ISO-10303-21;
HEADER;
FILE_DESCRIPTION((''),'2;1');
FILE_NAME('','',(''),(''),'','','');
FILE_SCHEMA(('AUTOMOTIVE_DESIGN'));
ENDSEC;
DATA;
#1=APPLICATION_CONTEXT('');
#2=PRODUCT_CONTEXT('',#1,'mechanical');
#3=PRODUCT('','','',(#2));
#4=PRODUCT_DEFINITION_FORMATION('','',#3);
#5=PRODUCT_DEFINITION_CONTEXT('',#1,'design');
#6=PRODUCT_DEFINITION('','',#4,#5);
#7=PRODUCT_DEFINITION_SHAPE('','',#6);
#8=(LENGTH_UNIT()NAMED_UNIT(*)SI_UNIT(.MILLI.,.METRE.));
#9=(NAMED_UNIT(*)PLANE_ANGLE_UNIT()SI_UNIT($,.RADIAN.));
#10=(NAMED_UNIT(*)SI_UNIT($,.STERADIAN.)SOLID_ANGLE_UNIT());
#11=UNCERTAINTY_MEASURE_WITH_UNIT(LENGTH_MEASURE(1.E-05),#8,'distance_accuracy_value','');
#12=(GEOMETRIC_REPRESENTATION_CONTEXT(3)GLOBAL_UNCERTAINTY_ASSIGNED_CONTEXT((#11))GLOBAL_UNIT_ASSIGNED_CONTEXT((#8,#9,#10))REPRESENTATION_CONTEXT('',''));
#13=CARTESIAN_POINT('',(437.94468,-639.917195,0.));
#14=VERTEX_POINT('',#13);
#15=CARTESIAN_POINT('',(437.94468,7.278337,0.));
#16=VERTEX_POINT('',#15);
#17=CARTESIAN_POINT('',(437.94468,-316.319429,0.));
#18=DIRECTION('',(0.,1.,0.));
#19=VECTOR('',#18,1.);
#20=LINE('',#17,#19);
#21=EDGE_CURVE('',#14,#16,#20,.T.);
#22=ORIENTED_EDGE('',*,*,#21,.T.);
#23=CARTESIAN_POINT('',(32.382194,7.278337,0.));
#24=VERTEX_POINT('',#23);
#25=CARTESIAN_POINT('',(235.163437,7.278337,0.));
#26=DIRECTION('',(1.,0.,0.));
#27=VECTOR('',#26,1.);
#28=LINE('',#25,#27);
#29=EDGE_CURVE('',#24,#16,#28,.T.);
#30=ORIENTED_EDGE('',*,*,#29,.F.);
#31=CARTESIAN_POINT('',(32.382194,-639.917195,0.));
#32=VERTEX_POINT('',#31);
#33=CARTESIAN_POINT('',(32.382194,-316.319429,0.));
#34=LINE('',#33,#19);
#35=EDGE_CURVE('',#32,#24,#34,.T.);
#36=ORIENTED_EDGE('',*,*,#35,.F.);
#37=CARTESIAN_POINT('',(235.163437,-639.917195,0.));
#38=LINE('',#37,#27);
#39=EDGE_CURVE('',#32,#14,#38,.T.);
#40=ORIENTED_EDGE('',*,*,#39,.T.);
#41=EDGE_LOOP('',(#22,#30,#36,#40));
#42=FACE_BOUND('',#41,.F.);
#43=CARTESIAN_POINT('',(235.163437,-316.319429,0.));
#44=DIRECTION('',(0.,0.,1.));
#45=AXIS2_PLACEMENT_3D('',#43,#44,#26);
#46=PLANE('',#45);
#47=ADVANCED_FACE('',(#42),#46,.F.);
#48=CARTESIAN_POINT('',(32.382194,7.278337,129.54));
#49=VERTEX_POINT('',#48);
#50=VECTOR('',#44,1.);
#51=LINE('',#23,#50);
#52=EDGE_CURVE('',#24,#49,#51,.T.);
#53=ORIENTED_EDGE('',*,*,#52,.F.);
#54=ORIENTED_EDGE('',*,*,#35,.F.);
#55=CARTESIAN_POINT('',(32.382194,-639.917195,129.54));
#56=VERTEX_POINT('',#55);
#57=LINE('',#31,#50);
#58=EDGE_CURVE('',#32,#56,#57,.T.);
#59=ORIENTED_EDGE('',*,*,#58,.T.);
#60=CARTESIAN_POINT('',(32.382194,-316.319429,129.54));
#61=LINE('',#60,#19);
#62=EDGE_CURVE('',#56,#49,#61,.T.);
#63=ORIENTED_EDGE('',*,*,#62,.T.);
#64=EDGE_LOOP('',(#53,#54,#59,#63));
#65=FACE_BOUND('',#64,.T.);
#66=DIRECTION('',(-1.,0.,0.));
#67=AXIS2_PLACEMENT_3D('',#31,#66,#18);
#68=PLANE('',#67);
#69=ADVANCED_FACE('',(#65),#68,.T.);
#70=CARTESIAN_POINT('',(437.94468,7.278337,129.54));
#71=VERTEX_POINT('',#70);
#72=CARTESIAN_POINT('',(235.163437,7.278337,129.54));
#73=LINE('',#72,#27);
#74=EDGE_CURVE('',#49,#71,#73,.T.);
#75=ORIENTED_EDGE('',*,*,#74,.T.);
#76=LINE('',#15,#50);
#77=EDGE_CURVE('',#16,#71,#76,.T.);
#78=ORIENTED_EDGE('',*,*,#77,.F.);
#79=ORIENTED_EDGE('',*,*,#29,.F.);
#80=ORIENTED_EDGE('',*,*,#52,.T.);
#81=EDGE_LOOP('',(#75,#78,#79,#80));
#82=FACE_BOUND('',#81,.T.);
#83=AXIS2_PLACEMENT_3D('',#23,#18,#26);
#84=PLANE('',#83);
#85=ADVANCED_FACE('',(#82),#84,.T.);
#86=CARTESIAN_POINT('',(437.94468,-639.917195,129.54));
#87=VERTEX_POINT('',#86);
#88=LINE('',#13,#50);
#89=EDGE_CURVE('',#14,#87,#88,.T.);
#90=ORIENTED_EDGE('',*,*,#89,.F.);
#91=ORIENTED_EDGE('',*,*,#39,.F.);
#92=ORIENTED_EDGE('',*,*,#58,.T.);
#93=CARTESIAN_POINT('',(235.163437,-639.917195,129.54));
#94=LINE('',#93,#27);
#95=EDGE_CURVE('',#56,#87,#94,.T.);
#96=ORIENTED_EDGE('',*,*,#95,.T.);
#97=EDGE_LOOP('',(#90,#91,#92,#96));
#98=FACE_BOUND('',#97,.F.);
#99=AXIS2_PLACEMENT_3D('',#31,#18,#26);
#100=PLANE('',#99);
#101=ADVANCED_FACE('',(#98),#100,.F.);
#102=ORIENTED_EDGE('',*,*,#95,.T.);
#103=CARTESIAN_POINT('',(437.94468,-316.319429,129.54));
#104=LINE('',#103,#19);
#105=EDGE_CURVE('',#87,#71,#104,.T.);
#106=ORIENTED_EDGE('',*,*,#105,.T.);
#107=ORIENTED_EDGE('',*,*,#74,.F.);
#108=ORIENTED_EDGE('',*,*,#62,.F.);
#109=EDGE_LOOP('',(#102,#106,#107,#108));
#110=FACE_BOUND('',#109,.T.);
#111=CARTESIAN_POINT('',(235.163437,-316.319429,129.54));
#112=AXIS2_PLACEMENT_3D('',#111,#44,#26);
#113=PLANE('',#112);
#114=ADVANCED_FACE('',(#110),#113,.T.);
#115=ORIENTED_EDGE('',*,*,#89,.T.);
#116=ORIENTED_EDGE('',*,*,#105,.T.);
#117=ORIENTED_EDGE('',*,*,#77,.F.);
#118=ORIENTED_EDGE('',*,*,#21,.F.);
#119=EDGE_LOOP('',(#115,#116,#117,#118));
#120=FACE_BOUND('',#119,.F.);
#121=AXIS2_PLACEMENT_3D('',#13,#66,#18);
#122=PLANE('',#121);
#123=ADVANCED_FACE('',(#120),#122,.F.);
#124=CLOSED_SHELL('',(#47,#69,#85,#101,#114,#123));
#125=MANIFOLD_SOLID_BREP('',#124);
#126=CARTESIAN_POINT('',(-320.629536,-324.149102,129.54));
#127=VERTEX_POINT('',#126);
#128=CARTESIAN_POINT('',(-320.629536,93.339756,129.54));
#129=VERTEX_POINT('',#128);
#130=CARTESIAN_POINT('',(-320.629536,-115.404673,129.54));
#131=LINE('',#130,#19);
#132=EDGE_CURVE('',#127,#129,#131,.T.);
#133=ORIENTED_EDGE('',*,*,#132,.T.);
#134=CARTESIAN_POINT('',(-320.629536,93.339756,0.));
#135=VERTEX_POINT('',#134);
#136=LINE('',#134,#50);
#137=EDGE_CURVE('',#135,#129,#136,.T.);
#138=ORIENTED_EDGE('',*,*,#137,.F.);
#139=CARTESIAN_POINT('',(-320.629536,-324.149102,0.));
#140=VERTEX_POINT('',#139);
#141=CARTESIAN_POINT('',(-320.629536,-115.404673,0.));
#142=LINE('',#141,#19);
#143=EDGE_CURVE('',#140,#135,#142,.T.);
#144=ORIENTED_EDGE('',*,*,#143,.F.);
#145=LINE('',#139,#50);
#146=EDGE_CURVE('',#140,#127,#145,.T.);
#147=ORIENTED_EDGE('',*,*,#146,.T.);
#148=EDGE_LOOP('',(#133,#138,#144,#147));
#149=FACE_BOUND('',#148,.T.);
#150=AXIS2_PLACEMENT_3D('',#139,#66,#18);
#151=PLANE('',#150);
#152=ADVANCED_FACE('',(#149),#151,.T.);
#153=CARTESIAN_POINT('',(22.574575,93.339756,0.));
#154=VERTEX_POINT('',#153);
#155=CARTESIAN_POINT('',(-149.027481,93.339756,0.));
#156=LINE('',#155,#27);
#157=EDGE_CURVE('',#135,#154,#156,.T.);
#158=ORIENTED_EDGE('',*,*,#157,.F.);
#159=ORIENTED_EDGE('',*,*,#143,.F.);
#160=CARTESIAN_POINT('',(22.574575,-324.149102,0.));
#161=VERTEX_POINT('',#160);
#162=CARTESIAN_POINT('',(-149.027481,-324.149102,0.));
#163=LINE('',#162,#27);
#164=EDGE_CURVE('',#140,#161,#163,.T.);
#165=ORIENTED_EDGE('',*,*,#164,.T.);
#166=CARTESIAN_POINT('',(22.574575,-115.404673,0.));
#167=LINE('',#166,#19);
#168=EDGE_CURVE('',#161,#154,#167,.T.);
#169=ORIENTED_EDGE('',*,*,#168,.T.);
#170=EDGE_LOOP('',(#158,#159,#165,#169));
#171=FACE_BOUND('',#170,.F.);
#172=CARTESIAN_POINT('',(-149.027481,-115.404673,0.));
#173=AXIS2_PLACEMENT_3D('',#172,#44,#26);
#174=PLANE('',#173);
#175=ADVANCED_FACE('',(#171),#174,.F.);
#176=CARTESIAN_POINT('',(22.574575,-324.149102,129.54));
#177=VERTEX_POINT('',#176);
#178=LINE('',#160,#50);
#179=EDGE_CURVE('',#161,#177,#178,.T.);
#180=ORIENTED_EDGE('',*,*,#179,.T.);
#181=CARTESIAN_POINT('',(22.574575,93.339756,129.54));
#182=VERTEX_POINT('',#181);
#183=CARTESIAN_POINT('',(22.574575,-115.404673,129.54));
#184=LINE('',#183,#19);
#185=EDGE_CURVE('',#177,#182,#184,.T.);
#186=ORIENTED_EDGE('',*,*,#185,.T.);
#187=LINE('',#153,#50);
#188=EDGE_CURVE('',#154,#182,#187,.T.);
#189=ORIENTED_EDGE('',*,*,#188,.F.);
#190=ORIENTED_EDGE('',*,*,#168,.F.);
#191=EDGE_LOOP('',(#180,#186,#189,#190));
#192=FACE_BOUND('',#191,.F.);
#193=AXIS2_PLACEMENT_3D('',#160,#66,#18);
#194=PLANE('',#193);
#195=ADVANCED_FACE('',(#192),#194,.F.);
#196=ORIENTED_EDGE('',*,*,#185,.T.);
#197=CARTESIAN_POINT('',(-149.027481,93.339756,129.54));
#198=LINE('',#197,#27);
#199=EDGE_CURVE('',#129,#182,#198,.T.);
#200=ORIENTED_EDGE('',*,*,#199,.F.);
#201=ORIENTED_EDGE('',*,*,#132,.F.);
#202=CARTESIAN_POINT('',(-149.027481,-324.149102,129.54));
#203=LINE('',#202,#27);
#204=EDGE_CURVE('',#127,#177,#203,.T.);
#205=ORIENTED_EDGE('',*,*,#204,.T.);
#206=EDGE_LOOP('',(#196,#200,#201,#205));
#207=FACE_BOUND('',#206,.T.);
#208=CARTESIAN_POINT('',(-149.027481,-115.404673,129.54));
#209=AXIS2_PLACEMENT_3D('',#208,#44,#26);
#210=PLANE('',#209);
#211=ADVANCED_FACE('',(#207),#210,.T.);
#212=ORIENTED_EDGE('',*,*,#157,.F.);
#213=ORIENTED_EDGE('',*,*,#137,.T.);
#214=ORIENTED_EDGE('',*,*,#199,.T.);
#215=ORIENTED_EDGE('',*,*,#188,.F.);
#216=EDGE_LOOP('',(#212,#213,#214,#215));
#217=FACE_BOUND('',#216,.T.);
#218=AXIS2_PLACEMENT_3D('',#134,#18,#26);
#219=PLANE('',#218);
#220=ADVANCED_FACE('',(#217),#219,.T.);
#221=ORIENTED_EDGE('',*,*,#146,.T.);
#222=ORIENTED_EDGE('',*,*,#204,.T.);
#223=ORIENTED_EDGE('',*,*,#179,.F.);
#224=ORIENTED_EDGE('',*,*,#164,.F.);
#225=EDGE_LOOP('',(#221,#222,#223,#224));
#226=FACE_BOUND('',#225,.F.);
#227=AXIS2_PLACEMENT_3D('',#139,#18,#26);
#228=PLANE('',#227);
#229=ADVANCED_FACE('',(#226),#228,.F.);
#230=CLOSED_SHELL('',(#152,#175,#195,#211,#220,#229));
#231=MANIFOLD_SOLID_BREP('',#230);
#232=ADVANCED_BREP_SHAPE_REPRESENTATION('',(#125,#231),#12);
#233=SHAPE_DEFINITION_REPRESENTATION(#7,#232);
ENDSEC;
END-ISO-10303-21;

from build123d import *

# Parameters (mm, degrees)
F0_W     = 343.204111
F0_H     = 417.488858
F0_W_2   = 405.562486
F0_H_2   = 647.195532
F1_DEPTH = 129.54


with BuildPart() as f1:
    # F0 (on Top) → F1 (new body)
    with BuildSketch(Plane.XY):
        with Locations((-149.027481, -115.404673)):
            Rectangle(F0_W, F0_H)
        with Locations((235.163437, -316.319429)):
            Rectangle(F0_W_2, F0_H_2)
    extrude(amount=F1_DEPTH)


solid = f1.part
